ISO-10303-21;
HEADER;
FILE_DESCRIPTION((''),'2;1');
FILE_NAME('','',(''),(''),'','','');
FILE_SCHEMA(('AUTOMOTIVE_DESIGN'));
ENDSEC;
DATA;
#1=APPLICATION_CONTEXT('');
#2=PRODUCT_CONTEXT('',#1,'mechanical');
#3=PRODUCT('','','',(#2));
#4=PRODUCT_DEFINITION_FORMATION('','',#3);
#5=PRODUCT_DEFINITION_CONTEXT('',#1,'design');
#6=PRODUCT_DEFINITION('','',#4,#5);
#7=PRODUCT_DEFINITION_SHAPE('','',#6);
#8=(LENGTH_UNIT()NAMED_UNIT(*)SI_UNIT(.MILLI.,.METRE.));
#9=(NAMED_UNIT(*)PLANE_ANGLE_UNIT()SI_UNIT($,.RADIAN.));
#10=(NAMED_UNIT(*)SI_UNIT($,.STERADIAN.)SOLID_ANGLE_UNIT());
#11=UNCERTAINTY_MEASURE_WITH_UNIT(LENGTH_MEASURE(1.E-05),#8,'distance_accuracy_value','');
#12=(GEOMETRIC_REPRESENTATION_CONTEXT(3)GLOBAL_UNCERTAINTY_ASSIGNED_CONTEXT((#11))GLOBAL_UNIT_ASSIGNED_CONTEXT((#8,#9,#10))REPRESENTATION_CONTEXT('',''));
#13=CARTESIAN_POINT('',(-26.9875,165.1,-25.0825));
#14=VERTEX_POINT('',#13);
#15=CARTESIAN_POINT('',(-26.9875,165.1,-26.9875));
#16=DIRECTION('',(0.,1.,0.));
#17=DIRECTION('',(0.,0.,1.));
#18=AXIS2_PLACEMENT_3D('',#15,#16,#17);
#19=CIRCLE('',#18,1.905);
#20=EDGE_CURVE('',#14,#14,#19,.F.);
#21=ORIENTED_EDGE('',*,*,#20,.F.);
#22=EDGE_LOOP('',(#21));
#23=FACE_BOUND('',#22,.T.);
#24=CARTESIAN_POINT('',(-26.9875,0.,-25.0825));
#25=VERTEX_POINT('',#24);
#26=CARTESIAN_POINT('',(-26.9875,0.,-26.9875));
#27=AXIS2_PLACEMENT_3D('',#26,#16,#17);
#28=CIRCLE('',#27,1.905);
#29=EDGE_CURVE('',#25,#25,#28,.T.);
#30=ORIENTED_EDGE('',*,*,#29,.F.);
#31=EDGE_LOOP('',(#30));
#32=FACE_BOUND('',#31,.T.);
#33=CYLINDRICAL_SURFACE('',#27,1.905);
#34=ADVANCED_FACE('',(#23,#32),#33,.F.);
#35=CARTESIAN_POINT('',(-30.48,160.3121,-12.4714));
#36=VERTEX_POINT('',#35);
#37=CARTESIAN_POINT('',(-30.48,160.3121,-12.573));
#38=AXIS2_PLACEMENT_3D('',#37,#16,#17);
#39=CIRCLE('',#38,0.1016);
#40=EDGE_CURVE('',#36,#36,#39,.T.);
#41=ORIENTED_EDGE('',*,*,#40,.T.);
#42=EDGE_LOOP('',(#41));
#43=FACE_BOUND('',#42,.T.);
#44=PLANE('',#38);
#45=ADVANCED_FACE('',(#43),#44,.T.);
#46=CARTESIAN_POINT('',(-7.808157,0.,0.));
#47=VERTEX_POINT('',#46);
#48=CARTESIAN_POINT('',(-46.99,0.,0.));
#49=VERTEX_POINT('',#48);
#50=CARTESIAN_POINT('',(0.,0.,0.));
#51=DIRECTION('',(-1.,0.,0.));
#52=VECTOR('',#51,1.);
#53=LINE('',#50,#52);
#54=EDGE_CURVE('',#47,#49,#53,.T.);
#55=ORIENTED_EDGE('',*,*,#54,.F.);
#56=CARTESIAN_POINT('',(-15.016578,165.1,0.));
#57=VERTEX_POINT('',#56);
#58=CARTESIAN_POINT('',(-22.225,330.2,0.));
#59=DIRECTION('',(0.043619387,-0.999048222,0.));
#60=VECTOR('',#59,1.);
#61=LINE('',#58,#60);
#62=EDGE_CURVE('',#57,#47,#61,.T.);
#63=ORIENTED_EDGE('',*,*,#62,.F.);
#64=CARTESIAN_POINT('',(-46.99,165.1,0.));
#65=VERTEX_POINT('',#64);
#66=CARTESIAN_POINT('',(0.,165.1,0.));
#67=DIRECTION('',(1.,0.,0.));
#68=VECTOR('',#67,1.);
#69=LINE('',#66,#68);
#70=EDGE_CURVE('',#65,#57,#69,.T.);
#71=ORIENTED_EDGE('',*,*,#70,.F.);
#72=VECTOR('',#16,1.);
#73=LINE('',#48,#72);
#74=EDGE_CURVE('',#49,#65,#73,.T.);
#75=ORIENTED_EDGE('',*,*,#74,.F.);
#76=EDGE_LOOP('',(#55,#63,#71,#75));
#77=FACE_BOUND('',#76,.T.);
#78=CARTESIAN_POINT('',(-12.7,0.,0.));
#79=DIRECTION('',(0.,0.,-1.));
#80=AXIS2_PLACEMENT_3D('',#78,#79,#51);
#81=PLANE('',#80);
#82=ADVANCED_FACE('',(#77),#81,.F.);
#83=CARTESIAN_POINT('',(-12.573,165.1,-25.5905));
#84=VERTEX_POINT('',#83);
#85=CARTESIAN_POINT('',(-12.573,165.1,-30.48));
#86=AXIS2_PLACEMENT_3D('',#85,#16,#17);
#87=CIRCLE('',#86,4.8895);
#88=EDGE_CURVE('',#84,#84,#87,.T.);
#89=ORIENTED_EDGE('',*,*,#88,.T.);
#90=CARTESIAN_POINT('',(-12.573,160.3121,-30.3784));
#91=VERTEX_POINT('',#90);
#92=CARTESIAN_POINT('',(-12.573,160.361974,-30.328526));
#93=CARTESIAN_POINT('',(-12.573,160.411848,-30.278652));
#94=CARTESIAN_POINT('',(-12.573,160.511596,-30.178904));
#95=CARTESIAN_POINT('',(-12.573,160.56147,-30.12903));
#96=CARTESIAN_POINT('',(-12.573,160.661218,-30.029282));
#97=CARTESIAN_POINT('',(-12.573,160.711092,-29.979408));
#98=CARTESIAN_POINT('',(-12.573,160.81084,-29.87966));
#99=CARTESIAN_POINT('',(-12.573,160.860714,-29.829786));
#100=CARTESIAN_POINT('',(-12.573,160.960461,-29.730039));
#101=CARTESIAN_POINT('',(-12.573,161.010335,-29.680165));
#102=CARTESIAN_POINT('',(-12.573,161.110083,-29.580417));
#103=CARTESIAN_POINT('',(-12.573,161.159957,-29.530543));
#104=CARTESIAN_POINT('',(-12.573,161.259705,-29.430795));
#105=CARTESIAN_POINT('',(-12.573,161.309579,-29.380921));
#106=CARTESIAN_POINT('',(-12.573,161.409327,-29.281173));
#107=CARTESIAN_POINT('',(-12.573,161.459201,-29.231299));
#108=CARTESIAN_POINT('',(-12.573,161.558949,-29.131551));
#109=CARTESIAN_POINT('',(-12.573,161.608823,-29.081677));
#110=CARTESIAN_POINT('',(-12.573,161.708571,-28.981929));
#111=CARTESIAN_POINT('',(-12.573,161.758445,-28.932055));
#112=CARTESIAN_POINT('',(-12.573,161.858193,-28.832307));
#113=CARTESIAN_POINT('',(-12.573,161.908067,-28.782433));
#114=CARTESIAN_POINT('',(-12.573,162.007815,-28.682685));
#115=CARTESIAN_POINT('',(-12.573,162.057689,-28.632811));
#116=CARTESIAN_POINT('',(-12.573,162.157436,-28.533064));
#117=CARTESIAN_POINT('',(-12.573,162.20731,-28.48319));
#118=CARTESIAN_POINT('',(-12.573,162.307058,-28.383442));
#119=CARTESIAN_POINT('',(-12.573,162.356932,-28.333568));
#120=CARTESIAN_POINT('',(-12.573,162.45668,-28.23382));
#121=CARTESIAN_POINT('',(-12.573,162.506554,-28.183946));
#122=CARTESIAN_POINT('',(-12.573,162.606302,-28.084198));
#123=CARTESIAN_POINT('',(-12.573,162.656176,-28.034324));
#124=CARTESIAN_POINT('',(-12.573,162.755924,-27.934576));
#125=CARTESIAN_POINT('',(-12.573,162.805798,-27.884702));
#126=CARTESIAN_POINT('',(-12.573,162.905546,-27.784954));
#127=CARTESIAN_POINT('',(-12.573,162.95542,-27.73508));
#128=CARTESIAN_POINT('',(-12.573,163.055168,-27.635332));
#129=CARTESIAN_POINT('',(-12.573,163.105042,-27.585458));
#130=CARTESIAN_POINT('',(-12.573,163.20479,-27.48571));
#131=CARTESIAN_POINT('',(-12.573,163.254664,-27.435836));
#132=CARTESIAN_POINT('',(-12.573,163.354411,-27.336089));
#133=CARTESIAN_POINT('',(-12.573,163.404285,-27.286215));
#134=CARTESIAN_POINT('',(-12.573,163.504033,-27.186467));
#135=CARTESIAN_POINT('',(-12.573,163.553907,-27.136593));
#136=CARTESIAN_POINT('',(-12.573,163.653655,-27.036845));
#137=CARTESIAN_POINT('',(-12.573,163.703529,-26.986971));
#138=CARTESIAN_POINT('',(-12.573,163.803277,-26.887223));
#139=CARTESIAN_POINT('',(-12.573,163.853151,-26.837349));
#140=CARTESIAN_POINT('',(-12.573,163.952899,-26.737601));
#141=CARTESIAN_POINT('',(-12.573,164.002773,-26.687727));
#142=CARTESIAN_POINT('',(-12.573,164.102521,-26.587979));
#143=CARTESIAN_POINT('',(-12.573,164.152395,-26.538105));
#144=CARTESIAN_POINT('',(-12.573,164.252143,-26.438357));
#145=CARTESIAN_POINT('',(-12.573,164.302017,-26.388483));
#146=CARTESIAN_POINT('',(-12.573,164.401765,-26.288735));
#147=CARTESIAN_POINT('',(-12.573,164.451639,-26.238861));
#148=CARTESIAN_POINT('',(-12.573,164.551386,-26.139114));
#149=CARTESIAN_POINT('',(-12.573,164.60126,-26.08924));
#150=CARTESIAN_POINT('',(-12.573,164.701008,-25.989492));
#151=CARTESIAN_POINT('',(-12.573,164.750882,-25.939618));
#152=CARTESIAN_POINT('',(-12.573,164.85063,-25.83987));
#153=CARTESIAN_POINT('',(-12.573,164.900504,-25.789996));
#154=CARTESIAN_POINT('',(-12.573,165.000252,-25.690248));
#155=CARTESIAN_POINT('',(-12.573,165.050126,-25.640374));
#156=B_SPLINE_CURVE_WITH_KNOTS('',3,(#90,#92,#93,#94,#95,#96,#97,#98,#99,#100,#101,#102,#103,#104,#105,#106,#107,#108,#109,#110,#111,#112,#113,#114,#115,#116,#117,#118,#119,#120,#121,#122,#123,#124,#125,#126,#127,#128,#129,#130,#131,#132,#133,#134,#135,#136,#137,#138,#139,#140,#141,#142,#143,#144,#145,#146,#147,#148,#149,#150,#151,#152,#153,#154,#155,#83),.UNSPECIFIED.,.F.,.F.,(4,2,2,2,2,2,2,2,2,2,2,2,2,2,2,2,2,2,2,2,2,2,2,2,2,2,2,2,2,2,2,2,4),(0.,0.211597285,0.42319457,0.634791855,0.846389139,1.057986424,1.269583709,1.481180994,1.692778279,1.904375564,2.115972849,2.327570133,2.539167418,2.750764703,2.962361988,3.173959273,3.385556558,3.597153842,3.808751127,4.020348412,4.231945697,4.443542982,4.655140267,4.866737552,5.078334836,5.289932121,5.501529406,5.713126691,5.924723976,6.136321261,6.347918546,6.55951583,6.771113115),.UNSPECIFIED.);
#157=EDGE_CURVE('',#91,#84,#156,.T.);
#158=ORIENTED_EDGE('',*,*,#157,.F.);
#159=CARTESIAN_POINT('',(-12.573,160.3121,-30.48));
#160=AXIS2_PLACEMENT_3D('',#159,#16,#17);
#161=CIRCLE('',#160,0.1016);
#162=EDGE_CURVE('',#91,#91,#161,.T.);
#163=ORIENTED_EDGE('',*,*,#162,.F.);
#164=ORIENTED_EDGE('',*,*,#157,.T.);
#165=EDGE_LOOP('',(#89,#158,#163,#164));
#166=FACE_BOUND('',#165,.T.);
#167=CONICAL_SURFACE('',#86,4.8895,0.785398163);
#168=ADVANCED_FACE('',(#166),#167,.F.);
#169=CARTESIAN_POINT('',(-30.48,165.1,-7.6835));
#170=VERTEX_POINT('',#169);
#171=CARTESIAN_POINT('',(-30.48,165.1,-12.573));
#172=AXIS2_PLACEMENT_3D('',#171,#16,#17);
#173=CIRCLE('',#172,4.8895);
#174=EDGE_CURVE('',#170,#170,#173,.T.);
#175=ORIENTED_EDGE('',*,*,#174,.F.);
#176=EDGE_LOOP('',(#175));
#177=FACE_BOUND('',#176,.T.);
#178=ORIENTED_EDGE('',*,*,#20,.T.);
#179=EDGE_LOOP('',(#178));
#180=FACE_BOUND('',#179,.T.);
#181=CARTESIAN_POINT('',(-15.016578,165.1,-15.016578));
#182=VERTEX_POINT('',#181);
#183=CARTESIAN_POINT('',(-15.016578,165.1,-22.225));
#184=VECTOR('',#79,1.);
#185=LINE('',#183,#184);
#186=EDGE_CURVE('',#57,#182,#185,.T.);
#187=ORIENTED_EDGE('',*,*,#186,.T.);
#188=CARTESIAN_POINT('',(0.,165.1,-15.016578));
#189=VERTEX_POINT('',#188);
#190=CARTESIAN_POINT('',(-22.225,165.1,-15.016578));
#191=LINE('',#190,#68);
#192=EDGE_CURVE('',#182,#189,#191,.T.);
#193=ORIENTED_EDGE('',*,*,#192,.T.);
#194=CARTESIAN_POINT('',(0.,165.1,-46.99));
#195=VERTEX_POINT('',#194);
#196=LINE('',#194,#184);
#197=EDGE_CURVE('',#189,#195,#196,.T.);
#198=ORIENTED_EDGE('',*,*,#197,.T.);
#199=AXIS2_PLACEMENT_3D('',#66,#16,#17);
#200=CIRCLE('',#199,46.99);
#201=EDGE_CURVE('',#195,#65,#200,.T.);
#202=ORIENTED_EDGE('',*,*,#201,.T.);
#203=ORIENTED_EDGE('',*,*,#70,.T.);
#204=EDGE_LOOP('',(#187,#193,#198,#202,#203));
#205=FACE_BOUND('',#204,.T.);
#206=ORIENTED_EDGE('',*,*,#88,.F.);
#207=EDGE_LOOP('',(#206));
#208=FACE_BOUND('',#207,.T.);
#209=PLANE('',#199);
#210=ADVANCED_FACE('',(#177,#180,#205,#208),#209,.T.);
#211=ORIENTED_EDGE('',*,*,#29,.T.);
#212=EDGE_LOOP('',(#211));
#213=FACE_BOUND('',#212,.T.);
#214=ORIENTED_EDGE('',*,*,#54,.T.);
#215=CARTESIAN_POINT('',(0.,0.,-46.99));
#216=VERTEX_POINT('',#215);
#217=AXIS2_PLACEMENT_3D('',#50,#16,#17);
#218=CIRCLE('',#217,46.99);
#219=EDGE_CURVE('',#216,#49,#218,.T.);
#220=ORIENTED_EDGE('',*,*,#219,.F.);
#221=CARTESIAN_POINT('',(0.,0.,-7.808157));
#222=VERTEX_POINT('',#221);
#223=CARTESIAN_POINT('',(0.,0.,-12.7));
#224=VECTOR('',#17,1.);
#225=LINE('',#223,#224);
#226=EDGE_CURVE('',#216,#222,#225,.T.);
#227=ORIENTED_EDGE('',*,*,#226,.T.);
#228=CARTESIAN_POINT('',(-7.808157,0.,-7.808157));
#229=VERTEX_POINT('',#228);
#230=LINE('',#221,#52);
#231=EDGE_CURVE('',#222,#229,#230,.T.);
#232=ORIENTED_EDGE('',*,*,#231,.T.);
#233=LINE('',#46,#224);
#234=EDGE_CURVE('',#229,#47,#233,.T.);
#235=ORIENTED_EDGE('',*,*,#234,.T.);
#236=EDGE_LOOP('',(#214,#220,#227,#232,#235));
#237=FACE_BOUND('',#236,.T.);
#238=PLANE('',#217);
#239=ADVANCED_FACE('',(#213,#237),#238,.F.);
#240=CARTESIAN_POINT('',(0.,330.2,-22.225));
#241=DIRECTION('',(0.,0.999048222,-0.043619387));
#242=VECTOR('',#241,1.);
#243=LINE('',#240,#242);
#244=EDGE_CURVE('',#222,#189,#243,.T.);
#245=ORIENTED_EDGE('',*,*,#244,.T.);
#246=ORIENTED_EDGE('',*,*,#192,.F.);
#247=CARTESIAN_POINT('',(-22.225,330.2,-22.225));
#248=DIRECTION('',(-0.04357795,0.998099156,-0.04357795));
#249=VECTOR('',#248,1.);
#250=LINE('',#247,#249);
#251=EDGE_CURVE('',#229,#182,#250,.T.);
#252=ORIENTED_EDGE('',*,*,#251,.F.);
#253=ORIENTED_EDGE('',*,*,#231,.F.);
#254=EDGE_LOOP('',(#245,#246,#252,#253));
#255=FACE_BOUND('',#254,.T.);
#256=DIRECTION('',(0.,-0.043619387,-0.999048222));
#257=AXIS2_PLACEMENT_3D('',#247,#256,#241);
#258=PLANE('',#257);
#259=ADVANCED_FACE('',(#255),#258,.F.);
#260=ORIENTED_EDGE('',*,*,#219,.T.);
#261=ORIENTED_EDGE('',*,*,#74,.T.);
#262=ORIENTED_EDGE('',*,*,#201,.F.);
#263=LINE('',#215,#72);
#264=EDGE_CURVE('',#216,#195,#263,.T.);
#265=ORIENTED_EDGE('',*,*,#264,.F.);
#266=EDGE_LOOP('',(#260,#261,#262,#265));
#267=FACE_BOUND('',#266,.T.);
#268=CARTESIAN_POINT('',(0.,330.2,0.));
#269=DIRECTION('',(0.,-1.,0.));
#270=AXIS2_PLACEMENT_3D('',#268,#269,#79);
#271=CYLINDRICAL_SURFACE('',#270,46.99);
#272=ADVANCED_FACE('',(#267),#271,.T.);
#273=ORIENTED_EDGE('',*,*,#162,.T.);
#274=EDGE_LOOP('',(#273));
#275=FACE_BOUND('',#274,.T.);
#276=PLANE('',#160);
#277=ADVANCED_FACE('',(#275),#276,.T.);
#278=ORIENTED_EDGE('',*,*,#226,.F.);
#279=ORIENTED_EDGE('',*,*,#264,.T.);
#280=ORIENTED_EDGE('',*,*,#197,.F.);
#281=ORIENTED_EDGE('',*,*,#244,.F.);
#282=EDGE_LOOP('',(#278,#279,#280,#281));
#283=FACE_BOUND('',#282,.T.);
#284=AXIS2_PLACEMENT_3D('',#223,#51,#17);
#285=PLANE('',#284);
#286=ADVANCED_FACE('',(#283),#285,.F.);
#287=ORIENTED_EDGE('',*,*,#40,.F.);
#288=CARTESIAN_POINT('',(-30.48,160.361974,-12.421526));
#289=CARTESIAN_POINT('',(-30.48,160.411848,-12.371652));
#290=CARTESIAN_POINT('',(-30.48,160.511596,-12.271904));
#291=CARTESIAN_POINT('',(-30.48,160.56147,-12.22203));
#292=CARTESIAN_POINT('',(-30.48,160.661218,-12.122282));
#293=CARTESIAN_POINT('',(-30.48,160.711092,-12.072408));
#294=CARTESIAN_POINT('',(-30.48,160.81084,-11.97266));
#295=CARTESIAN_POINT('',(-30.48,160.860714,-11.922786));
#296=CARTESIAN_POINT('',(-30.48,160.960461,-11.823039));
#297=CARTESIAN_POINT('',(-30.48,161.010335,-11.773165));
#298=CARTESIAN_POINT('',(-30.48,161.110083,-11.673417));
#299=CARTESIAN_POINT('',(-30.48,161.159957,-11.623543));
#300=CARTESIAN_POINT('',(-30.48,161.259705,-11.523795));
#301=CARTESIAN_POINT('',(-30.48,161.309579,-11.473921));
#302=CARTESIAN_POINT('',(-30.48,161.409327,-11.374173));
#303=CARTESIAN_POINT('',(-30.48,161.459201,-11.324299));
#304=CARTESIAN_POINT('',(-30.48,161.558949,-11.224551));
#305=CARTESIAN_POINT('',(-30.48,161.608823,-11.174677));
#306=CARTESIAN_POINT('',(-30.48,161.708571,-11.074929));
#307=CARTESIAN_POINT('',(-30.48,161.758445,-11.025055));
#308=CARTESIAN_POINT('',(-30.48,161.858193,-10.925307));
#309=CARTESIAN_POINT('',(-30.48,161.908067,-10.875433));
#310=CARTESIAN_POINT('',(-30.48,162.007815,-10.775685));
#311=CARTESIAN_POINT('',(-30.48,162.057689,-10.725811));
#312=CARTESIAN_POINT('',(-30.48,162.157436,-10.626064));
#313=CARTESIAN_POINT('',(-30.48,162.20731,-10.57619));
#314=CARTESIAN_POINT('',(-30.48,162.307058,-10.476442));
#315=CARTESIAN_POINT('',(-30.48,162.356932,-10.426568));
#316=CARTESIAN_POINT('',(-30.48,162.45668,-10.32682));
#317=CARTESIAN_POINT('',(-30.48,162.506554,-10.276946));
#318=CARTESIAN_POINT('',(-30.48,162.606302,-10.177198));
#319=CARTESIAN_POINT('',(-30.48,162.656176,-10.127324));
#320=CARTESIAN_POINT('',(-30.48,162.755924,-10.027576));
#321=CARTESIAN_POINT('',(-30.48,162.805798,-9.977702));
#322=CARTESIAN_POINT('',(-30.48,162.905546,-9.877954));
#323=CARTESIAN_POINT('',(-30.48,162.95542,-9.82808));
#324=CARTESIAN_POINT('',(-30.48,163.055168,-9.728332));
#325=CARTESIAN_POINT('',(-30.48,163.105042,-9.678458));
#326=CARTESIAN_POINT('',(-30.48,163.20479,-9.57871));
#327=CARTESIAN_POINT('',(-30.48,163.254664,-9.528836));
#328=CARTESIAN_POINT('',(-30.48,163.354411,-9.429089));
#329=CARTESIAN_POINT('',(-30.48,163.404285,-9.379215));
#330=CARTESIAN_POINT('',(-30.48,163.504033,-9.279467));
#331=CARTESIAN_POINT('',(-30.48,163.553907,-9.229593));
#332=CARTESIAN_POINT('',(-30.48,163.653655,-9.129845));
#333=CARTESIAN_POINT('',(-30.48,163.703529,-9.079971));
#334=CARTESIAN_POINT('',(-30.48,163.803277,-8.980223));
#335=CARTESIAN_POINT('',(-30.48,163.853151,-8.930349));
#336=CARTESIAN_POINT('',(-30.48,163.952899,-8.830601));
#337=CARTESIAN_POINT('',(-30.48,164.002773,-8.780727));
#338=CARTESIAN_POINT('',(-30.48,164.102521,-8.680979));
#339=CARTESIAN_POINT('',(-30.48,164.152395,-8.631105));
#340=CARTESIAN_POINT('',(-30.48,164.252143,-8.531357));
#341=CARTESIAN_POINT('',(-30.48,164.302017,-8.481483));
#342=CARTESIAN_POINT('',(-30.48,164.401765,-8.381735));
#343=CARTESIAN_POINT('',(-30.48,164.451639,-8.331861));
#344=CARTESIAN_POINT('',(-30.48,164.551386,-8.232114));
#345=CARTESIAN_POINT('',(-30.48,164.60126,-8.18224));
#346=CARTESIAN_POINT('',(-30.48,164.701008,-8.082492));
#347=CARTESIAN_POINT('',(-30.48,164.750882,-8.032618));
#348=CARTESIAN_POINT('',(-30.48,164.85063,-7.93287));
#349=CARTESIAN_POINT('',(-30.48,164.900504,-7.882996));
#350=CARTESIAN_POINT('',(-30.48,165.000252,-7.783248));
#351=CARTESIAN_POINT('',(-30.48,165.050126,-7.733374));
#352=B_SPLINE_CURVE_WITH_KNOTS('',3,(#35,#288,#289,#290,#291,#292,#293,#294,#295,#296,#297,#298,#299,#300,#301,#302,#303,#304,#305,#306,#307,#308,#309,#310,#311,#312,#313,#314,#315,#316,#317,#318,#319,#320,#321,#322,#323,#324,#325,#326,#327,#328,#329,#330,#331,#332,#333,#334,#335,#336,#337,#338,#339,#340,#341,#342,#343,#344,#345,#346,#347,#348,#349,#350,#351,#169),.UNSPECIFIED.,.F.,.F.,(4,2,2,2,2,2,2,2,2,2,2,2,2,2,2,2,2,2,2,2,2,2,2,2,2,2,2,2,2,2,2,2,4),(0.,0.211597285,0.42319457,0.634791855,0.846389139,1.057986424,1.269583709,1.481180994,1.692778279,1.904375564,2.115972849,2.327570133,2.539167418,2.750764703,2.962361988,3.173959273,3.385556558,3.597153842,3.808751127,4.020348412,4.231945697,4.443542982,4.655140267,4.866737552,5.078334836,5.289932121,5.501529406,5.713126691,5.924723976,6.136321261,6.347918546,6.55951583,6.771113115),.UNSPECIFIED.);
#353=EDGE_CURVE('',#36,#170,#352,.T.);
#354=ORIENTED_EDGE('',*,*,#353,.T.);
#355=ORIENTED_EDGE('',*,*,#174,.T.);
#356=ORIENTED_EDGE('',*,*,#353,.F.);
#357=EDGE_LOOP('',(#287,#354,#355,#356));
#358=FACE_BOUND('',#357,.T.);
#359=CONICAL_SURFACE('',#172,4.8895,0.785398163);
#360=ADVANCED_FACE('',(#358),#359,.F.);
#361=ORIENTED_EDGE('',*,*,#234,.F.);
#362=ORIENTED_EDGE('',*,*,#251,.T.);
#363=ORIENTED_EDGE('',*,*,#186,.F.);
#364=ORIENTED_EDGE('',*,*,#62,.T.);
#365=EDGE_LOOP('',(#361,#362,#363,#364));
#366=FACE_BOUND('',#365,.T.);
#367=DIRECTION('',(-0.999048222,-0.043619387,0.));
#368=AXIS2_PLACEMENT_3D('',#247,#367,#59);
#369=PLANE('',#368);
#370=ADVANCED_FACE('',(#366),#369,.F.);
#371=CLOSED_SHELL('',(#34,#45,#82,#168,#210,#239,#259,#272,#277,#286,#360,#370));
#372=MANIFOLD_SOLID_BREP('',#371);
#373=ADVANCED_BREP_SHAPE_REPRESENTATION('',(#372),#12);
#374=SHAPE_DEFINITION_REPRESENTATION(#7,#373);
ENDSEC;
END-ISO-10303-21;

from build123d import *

# Parameters (mm, degrees)
SKETCH1_R                    = 46.99
BOSS_EXTRUDE1_DEPTH          = 330.2
SKETCH2_W                    = 44.45
SKETCH2_H                    = 44.45
CUT_EXTRUDE1_DEPTH           = 330.2
CUT_EXTRUDE1_DRAFT           = -2.5
CUT_EXTRUDE2_START           = -330.2
SKETCH3_R                    = 1.905
CUT_EXTRUDE2_DEPTH           = 330.2
CUT_EXTRUDE4_START           = -165.1
CUT_EXTRUDE4_DEPTH           = 165.1
SKETCH8_R                    = 4.8895
CUT_EXTRUDE5_DEPTH           = 4.7879
CUT_EXTRUDE5_DRAFT           = -45
CUT_EXTRUDE5_PROFILE_2_DEPTH = 4.7879
CUT_EXTRUDE5_PROFILE_2_DRAFT = -45


with BuildPart() as part:
    # Sketch1 → Boss-Extrude1 (new body)
    with BuildSketch(Plane(origin=(0, 0, 0), x_dir=(1, 0, 0), z_dir=(0, 1, 0))):
        with Locations(Location((0, 0, 0), (0, 0, 270))):
            Circle(SKETCH1_R)
    extrude(amount=BOSS_EXTRUDE1_DEPTH)


with BuildPart() as cut_extrude1_tool:
    # Sketch2 → Cut-Extrude1 (with draft: the straight prism first)
    with BuildSketch(Plane(origin=(0, 330.2, 0), x_dir=(1, 0, 0), z_dir=(0, 1, 0))):
        Rectangle(SKETCH2_W, SKETCH2_H)
    extrude(amount=-CUT_EXTRUDE1_DEPTH)
    # Cut-Extrude1: the draft: its side faces are tilted about the plane it starts from
    cut_extrude1_sides = [cut_extrude1_tool.faces().sort_by_distance(p)[0] for p in [
        (-22.225, 165.1, 0),
        (0, 165.1, 22.225),
        (22.225, 165.1, 0),
        (0, 165.1, -22.225),
    ]]
    draft(cut_extrude1_sides, Plane(origin=(0, 330.2, 0), x_dir=(1, 0, 0), z_dir=(0, 1, 0)), CUT_EXTRUDE1_DRAFT)


with BuildPart() as part_1:
    add(part.part)

    # Cut-Extrude1: cut by cut_extrude1_tool
    add(cut_extrude1_tool.part, mode=Mode.SUBTRACT)

    # Sketch3 → Cut-Extrude2 (cut)
    with BuildSketch(Plane(origin=(0, 330.2, 0), x_dir=(1, 0, 0), z_dir=(0, 1, 0)).offset(CUT_EXTRUDE2_START)):
        with Locations(Location((-26.9875, 26.9875, 0), (0, 0, 270))):
            Circle(SKETCH3_R)
        with BuildLine():
            Line((0, 12.7), (0, 46.99))
            ThreePointArc((0, 46.99), (33.226947648, -33.226947648), (-46.99, 0))
            Line((-46.99, 0), (-12.7, 0))
            Line((-12.7, 0), (0, 0))
            Line((0, 0), (0, 12.7))
        make_face()
    extrude(amount=CUT_EXTRUDE2_DEPTH, mode=Mode.SUBTRACT)

    # Sketch7 → Cut-Extrude4 (cut)
    with BuildSketch(Plane(origin=(0, 330.2, 0), x_dir=(1, 0, 0), z_dir=(0, 1, 0)).offset(CUT_EXTRUDE4_START)):
        with BuildLine():
            Line((0, 46.99), (0, 0))
            Line((0, 0), (-46.99, 0))
            ThreePointArc((-46.99, 0), (-33.226947648, 33.226947648), (0, 46.99))
        make_face()
    extrude(amount=CUT_EXTRUDE4_DEPTH, mode=Mode.SUBTRACT)


with BuildPart() as cut_extrude5_tool:
    # Sketch8 → Cut-Extrude5 (with draft: the straight prism first)
    with BuildSketch(Plane(origin=(0, 165.1, 0), x_dir=(1, 0, 0), z_dir=(0, 1, 0))):
        with Locations((-12.573, 30.48)):
            Circle(SKETCH8_R)
    extrude(amount=-CUT_EXTRUDE5_DEPTH)
    # Cut-Extrude5: the draft: its side faces are tilted about the plane it starts from
    cut_extrude5_sides = [cut_extrude5_tool.faces().sort_by_distance(p)[0] for p in [
        (-17.4625, 162.70605, -30.48),
    ]]
    draft(cut_extrude5_sides, Plane(origin=(0, 165.1, 0), x_dir=(1, 0, 0), z_dir=(0, 1, 0)), CUT_EXTRUDE5_DRAFT)


with BuildPart() as part_2:
    add(part_1.part)

    # Cut-Extrude5: cut by cut_extrude5_tool
    add(cut_extrude5_tool.part, mode=Mode.SUBTRACT)


with BuildPart() as cut_extrude5_profile_2_tool:
    # Sketch8 → Cut-Extrude5 profile 2 (with draft: the straight prism first)
    with BuildSketch(Plane(origin=(0, 165.1, 0), x_dir=(1, 0, 0), z_dir=(0, 1, 0))):
        with Locations((-30.48, 12.573)):
            Circle(SKETCH8_R)
    extrude(amount=-CUT_EXTRUDE5_PROFILE_2_DEPTH)
    # Cut-Extrude5 profile 2: the draft: its side faces are tilted about the plane it starts from
    cut_extrude5_profile_2_sides = [cut_extrude5_profile_2_tool.faces().sort_by_distance(p)[0] for p in [
        (-35.3695, 162.70605, -12.573),
    ]]
    draft(cut_extrude5_profile_2_sides, Plane(origin=(0, 165.1, 0), x_dir=(1, 0, 0), z_dir=(0, 1, 0)), CUT_EXTRUDE5_PROFILE_2_DRAFT)


with BuildPart() as part_3:
    add(part_2.part)

    # Cut-Extrude5 profile 2: cut by cut_extrude5_profile_2_tool
    add(cut_extrude5_profile_2_tool.part, mode=Mode.SUBTRACT)


solid = part_3.part
